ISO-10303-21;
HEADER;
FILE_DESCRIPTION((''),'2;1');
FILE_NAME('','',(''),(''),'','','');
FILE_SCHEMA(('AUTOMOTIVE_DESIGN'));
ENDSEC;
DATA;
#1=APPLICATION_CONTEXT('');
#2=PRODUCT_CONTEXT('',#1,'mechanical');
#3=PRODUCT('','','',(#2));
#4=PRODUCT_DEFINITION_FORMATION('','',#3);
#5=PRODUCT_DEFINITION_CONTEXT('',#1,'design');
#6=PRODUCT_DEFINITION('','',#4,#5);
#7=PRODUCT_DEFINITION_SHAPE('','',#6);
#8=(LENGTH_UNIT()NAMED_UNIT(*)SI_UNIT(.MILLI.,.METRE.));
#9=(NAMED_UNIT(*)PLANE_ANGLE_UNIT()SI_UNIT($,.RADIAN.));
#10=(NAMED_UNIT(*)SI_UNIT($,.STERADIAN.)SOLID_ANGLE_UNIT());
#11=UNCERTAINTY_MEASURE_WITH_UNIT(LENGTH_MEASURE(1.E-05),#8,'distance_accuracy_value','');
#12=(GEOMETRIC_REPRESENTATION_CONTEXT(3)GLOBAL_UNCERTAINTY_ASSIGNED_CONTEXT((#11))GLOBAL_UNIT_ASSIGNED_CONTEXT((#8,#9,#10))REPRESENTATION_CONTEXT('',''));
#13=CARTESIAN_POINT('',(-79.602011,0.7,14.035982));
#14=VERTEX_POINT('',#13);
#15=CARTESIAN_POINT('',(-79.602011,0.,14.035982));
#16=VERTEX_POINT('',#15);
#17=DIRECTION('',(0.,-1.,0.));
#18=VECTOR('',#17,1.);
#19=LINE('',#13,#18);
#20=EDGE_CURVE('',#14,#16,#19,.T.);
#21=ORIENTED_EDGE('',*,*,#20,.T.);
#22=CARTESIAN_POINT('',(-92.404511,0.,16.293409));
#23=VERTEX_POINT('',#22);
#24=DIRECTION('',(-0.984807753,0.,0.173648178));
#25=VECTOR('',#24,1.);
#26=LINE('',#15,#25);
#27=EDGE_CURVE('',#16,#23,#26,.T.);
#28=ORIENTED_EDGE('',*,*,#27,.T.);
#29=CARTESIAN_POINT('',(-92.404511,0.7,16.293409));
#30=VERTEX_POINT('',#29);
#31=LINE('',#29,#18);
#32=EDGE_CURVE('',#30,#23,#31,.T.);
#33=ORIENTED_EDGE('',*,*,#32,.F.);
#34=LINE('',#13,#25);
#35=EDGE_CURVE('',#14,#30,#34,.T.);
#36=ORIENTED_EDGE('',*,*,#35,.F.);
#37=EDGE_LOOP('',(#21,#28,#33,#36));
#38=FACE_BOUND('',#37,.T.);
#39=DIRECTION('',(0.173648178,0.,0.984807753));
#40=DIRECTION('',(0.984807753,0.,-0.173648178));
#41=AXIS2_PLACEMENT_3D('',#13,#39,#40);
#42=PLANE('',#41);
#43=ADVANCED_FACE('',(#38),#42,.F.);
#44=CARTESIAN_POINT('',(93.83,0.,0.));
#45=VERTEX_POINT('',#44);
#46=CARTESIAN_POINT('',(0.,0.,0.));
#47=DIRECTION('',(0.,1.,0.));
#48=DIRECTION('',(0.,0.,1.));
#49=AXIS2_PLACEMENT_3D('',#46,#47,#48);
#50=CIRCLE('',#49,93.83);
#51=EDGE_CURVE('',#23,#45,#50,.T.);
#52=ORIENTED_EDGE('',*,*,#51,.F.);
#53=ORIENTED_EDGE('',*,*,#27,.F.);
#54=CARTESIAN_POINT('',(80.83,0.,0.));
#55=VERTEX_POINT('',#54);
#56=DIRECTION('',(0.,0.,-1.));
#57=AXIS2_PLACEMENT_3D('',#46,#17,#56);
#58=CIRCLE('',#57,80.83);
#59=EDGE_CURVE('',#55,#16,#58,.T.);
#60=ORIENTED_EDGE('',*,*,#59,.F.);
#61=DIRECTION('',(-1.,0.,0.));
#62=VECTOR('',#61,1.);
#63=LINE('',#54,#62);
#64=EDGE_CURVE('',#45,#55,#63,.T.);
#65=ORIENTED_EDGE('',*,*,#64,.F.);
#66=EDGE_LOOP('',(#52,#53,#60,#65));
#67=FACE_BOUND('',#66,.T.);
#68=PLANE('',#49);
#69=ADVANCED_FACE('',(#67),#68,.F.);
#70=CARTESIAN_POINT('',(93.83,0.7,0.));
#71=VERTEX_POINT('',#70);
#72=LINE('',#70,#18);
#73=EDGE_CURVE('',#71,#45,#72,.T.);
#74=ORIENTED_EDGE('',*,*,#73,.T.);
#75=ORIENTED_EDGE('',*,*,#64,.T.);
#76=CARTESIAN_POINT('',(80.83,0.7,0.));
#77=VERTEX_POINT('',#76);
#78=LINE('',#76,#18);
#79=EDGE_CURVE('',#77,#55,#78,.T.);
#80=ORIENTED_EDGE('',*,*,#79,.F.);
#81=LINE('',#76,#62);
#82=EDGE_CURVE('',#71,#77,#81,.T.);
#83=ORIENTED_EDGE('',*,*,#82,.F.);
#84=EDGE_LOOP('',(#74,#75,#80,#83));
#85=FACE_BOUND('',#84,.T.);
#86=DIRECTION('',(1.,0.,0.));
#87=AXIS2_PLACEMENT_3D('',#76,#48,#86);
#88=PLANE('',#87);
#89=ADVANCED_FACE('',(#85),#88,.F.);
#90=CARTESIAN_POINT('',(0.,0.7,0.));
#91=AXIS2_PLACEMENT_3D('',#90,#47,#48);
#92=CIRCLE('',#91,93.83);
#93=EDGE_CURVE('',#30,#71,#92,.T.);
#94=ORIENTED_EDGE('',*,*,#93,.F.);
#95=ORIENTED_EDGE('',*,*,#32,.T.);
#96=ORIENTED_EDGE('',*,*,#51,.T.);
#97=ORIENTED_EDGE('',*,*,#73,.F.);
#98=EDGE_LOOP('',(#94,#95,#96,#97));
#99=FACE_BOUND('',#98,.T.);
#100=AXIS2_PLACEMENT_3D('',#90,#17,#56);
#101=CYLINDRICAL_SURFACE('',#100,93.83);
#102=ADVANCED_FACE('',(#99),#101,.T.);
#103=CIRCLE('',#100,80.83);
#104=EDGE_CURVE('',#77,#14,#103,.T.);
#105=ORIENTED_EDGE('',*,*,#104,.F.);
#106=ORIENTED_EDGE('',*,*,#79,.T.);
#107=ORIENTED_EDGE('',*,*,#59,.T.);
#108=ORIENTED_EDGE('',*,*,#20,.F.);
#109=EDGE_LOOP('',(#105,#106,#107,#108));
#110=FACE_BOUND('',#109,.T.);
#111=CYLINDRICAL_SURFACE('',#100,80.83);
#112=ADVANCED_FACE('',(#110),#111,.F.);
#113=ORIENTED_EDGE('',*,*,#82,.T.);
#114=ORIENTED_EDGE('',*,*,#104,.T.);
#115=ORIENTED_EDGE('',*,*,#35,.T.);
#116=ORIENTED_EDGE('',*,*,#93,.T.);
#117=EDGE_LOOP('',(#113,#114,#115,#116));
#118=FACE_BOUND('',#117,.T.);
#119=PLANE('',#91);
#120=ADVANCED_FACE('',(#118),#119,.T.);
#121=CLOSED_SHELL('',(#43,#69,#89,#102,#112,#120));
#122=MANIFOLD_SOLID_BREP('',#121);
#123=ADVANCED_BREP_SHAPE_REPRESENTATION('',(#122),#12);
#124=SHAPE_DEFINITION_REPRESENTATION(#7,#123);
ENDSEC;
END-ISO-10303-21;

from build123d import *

# Parameters (mm, degrees)
BOSS_EXTRUDE1_DEPTH = 0.7


with BuildPart() as part:
    # Sketch3 → Boss-Extrude1 (new body)
    with BuildSketch(Plane(origin=(0, 0, 0), x_dir=(1, 0, 0), z_dir=(0, 1, 0))):
        with BuildLine():
            Line((-79.602010676, -14.035982201), (-92.404511465, -16.29340851))
            ThreePointArc((-92.404511465, -16.29340851), (8.177823342, -93.472948522), (93.83, 0))
            Line((93.83, 0), (80.83, 0))
            ThreePointArc((80.83, 0), (7.044798686, -80.522417447), (-79.602010676, -14.035982201))
        make_face()
    extrude(amount=BOSS_EXTRUDE1_DEPTH)


solid = part.part
